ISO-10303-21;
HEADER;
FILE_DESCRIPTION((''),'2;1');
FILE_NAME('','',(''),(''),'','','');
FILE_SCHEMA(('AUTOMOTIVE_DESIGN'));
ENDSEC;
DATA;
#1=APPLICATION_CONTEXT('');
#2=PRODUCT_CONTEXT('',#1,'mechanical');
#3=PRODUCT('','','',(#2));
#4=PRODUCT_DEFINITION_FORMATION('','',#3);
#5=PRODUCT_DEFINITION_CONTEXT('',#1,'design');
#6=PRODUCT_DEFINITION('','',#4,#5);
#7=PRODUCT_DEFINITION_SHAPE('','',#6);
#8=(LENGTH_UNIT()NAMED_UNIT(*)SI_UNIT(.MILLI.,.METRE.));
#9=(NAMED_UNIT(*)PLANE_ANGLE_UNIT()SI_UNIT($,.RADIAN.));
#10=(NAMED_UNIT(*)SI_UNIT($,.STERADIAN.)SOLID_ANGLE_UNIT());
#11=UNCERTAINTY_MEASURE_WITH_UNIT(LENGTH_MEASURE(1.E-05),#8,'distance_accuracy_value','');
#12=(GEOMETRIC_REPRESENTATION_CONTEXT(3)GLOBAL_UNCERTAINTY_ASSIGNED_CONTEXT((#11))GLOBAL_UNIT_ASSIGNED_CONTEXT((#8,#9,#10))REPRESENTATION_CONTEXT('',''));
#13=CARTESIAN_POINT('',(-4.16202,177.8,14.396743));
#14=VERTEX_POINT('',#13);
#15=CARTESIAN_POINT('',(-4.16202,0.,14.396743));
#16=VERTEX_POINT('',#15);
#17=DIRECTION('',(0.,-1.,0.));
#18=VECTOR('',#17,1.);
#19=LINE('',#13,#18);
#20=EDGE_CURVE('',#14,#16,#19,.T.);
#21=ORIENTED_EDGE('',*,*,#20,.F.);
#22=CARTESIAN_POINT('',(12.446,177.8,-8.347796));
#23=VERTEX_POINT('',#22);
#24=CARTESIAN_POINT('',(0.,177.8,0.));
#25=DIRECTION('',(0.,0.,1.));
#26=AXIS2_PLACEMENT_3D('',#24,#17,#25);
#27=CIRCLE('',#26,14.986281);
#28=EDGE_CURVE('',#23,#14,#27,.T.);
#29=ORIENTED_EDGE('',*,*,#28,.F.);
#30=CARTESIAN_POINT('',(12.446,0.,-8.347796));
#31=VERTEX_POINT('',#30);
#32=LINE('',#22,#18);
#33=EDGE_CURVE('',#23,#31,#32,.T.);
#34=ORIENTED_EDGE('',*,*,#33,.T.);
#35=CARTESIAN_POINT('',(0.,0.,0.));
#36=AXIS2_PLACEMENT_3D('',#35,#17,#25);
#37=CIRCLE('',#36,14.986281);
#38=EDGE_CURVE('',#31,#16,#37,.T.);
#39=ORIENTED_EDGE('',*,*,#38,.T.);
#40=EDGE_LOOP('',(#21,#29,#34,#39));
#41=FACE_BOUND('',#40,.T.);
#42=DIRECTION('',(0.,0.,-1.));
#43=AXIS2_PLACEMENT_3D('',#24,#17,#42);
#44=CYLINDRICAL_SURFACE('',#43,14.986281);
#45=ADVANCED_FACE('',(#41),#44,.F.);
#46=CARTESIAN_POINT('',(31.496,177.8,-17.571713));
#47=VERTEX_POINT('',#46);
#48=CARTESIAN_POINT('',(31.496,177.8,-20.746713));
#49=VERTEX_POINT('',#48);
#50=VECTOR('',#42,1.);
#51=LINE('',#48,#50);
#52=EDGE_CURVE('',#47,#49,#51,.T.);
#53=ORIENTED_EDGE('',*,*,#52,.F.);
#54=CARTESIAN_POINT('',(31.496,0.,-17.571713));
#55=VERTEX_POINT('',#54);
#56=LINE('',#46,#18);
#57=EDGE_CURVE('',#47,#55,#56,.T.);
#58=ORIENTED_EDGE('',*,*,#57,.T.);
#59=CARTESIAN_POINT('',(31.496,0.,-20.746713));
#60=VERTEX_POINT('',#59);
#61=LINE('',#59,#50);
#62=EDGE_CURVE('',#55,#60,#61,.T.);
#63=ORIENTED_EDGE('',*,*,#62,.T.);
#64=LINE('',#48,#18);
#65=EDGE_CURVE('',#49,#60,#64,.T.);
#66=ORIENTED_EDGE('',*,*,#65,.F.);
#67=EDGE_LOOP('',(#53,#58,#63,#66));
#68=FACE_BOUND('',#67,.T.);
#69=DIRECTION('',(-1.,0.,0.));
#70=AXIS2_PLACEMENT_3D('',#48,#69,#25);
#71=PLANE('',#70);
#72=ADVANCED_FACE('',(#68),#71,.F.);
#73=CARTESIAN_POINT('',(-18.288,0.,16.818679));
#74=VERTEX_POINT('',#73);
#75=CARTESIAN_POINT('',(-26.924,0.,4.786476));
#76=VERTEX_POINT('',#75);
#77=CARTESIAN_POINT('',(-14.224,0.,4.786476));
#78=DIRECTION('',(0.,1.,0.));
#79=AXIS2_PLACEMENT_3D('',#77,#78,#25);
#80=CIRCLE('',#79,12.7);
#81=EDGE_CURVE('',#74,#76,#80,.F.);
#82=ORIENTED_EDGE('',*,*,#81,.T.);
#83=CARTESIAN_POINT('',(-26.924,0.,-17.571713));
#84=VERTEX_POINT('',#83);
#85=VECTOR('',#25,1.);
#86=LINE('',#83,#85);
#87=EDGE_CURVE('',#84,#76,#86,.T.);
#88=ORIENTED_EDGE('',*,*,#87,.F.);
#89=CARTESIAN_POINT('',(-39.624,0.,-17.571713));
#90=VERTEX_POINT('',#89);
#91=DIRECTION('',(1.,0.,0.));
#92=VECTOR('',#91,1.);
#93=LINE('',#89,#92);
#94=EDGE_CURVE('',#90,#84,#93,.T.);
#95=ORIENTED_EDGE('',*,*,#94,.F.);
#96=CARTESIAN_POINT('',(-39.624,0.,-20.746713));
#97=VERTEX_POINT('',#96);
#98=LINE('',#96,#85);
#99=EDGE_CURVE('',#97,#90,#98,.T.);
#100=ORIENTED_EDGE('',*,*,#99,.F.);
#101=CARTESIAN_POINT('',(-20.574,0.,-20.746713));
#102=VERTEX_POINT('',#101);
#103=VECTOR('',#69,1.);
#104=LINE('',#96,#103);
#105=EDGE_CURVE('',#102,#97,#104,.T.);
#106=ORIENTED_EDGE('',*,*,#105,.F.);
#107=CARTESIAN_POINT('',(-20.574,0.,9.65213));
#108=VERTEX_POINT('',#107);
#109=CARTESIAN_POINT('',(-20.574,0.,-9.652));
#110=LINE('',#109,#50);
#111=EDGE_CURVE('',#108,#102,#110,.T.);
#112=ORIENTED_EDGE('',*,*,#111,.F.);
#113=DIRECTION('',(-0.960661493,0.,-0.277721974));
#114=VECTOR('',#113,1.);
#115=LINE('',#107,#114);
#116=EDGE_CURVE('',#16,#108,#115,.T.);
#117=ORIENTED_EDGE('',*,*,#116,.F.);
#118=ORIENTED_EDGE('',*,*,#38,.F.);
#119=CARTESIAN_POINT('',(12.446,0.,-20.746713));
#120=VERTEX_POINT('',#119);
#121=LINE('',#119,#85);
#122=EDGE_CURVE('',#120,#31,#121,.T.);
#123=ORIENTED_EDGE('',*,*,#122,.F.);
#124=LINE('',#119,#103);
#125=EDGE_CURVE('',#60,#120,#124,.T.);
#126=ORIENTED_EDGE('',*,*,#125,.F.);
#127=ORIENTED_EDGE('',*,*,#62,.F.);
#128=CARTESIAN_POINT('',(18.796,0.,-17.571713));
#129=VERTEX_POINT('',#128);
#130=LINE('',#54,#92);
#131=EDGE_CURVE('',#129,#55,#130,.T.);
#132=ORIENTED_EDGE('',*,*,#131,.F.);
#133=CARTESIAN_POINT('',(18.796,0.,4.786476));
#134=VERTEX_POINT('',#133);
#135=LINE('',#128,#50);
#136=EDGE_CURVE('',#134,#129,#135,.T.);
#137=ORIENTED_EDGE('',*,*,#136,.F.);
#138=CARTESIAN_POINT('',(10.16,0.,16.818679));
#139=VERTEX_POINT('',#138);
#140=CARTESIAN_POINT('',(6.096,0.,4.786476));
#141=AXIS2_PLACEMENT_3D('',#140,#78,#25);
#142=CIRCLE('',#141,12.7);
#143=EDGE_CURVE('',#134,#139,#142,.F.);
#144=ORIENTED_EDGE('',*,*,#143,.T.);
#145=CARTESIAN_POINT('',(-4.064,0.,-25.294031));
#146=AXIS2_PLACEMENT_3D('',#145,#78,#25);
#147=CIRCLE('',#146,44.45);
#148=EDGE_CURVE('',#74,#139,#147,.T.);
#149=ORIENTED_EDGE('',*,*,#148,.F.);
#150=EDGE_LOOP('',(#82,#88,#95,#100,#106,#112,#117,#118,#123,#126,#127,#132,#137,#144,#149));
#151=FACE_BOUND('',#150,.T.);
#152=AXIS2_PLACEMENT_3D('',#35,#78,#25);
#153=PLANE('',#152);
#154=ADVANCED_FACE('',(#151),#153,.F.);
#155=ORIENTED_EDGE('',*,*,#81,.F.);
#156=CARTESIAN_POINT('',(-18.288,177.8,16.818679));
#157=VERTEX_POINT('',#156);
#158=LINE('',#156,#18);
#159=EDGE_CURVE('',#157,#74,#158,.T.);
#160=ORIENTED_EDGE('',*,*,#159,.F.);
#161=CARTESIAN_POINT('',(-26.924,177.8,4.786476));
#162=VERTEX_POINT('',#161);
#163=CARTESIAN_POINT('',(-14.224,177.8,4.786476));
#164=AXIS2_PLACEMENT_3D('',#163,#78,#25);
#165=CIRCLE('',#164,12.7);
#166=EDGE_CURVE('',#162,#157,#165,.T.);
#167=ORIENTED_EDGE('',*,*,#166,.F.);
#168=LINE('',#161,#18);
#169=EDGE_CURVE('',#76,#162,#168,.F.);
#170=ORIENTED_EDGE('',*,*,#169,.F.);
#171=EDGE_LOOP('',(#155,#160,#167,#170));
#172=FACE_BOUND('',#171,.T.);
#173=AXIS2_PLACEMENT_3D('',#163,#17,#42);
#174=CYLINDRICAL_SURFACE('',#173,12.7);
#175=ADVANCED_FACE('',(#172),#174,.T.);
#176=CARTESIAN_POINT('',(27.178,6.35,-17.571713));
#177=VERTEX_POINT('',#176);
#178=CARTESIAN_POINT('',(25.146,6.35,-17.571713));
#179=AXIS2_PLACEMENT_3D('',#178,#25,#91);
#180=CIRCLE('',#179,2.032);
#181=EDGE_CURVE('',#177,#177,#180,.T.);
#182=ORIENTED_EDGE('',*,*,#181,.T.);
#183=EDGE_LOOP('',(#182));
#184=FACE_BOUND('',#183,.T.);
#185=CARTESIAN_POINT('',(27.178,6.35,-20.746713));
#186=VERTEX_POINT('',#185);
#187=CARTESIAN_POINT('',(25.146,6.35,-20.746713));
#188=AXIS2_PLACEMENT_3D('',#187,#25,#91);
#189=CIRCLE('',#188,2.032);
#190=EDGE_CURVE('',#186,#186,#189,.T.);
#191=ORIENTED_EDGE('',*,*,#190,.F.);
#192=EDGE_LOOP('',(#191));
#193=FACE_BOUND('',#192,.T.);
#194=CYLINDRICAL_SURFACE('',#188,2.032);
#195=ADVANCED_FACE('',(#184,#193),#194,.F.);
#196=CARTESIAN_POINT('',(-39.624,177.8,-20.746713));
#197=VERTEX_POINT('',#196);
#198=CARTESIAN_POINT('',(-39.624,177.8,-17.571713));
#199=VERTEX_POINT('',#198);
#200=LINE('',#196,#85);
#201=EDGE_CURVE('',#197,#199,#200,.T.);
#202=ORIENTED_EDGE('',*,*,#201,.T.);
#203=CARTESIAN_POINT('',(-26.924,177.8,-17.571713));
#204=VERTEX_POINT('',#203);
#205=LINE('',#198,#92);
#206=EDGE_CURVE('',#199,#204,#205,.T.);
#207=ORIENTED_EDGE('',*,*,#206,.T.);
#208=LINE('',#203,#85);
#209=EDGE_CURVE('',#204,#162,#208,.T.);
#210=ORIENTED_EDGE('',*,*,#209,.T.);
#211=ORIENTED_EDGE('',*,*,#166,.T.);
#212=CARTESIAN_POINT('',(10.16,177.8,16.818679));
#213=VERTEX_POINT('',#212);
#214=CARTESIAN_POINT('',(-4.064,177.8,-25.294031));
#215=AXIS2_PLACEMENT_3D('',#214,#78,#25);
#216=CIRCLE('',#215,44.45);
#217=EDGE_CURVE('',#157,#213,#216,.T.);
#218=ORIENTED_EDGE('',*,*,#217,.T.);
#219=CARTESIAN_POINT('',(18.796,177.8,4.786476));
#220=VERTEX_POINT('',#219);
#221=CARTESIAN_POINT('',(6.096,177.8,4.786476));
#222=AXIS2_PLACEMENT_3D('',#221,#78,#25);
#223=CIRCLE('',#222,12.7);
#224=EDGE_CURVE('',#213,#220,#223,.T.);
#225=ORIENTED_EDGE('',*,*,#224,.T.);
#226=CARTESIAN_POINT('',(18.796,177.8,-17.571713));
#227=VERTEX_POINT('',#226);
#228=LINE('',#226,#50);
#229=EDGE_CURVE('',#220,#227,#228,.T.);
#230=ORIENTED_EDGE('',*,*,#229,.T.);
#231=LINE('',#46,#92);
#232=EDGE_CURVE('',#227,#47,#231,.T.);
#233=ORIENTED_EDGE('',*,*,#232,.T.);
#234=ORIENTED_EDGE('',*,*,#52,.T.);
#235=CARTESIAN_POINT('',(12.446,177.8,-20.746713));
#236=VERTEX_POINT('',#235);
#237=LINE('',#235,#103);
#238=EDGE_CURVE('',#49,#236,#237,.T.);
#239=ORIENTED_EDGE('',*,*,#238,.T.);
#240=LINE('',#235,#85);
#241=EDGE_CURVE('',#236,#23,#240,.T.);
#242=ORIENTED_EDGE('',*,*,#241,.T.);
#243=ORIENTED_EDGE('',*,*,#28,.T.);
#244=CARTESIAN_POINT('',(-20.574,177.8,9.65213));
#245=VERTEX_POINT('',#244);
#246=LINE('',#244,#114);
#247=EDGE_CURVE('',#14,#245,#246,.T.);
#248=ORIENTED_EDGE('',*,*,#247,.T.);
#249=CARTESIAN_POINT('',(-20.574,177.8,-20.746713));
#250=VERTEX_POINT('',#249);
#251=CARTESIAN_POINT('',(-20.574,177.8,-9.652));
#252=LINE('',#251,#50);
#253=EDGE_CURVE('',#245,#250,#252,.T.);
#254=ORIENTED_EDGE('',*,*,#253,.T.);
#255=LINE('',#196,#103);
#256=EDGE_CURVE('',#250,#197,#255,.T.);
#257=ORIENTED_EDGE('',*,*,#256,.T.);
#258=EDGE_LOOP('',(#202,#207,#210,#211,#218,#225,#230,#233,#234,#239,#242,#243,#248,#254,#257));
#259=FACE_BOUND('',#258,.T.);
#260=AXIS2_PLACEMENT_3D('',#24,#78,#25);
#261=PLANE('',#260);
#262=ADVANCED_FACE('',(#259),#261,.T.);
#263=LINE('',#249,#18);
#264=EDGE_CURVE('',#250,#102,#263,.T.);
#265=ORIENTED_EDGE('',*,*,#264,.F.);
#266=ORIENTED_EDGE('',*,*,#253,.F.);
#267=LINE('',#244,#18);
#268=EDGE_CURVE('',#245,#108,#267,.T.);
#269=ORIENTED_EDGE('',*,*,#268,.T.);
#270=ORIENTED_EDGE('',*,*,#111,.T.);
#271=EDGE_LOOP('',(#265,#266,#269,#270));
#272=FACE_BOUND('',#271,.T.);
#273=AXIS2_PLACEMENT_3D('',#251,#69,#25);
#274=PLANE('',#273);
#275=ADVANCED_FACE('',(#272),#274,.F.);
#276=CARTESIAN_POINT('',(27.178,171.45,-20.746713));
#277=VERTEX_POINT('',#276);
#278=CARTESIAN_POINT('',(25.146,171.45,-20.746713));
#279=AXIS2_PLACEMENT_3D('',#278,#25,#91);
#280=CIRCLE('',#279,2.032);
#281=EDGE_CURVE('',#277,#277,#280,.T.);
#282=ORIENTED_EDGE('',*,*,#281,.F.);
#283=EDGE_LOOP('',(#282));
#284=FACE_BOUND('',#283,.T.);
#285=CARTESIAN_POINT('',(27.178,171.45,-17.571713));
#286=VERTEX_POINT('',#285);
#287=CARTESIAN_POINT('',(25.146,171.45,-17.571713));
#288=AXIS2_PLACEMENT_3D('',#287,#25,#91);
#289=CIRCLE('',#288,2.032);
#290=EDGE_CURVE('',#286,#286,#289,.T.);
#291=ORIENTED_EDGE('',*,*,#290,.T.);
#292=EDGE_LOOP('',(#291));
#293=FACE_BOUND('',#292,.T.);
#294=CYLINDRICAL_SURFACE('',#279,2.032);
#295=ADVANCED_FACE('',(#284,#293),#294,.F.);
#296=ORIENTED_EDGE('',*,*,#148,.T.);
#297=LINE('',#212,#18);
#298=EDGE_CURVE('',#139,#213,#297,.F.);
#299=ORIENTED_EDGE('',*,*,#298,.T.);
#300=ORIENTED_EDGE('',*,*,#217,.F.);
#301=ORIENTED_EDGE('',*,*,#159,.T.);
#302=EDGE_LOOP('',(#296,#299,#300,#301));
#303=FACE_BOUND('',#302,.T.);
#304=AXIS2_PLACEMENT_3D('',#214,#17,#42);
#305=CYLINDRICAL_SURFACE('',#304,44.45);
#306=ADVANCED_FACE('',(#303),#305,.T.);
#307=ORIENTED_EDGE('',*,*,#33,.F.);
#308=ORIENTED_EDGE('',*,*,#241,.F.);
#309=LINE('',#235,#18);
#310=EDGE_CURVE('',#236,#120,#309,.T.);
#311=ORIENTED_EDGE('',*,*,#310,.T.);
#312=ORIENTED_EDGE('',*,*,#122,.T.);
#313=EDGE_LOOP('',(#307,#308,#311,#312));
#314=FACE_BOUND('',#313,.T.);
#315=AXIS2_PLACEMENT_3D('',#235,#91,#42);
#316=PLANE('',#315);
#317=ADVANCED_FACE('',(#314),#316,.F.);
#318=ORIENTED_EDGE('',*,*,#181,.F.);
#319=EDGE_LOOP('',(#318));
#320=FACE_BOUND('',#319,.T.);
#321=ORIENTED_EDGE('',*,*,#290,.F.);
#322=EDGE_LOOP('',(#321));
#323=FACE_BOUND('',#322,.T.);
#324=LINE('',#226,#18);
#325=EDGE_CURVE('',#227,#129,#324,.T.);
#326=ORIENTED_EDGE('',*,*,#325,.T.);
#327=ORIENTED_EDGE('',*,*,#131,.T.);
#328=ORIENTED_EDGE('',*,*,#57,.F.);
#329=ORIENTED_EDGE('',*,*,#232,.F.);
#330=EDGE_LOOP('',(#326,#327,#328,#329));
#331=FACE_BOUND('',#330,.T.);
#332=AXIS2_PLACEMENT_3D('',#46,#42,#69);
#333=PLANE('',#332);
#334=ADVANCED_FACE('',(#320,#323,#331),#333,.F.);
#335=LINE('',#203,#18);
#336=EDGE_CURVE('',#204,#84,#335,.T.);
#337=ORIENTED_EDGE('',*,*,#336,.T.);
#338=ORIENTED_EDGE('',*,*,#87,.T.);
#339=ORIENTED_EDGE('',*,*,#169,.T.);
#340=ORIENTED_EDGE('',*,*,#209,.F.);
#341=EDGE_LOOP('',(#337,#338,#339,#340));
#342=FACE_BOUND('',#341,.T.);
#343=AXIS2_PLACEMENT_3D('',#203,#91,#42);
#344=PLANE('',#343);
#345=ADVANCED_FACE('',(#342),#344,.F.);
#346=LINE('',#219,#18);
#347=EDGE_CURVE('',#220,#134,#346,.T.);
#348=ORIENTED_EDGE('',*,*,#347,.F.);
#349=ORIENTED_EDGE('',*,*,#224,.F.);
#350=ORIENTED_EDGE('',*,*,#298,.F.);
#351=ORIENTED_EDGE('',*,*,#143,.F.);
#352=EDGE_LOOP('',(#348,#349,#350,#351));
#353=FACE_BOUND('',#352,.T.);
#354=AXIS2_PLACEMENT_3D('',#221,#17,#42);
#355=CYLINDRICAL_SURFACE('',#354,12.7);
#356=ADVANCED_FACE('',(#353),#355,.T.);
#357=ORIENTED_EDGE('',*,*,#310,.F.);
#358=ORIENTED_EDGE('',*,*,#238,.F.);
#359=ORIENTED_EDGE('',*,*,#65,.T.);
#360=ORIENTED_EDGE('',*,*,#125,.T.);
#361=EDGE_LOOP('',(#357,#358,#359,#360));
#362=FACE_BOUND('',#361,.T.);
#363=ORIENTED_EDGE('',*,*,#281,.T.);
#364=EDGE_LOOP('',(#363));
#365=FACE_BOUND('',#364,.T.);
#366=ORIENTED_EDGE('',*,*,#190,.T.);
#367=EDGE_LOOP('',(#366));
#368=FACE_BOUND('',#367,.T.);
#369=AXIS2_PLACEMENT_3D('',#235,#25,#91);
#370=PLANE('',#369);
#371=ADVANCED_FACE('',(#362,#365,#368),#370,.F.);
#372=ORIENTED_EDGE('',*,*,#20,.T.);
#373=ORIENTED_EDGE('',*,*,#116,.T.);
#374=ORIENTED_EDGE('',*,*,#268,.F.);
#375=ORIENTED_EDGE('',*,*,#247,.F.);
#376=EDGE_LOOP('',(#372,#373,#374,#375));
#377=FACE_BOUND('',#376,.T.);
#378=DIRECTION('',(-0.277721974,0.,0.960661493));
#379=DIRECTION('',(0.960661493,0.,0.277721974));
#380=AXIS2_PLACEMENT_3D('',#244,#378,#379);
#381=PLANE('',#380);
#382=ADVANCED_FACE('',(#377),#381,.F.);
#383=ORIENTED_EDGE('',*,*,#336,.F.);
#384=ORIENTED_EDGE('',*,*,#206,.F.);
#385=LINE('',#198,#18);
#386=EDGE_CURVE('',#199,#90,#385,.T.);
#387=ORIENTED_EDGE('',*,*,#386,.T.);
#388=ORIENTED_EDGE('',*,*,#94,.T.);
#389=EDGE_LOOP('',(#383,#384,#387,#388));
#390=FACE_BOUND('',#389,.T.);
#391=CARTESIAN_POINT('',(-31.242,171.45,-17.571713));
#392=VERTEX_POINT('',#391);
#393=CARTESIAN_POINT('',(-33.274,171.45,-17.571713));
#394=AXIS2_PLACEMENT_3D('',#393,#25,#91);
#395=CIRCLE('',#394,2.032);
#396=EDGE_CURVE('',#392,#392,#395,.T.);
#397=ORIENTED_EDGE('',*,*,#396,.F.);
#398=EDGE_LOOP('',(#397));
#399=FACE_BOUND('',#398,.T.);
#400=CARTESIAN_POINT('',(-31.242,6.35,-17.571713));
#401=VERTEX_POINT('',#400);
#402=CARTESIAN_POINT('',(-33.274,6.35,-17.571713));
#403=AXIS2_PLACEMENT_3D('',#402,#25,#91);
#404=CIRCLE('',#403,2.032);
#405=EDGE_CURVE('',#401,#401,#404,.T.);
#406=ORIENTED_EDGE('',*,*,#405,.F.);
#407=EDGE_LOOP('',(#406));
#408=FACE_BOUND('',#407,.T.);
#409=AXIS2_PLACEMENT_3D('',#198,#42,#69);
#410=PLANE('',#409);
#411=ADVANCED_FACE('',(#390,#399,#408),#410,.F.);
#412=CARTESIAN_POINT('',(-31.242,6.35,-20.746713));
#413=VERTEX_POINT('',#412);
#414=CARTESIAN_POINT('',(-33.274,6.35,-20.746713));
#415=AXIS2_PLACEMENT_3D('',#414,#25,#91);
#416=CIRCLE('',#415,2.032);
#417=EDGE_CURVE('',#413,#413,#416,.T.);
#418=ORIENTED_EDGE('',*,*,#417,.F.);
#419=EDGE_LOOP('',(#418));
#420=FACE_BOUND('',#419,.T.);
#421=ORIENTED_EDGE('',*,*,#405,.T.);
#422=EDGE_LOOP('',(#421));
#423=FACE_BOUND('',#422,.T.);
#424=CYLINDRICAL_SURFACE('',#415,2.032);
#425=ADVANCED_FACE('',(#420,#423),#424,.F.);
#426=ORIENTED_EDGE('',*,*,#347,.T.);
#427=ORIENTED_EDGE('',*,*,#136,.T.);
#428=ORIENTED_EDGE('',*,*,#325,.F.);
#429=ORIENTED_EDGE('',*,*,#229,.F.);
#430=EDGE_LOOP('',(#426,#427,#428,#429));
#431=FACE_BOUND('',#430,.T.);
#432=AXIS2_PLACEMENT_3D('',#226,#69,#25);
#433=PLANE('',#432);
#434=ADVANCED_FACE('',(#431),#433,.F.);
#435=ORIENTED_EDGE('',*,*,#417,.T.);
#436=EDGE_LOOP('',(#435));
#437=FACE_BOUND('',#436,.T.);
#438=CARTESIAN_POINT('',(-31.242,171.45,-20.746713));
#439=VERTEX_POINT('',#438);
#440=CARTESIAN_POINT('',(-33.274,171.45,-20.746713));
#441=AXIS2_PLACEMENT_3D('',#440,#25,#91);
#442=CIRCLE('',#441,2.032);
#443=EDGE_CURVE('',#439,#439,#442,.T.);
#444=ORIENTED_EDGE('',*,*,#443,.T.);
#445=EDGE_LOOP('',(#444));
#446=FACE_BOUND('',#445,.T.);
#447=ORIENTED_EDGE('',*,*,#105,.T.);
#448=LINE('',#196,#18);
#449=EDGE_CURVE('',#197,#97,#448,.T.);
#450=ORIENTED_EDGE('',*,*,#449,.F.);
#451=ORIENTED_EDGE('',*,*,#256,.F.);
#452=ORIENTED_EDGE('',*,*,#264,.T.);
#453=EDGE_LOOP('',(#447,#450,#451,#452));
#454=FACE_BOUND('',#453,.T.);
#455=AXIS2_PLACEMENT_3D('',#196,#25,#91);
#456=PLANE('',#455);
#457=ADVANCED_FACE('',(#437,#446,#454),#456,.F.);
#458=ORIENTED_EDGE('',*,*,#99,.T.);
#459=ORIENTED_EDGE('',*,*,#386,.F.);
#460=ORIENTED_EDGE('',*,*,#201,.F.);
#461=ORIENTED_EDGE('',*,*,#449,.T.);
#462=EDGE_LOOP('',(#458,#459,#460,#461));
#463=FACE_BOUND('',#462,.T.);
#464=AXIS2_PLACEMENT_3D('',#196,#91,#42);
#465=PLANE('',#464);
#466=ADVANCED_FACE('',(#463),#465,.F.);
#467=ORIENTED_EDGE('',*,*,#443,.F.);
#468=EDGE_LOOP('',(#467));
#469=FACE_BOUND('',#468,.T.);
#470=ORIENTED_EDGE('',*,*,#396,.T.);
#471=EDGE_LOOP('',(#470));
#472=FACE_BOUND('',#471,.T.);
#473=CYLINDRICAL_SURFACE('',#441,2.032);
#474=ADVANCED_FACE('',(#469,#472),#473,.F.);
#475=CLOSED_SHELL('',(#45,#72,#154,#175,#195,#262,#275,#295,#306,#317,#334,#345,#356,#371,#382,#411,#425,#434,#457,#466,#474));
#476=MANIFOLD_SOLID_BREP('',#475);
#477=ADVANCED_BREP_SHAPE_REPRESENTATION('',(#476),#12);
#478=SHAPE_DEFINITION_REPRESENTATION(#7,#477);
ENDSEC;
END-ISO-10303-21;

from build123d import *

# Parameters (mm, degrees)
BOSS_EXTRUDE1_DEPTH = 177.8
SKETCH2_R           = 2.032
CUT_EXTRUDE1_DEPTH  = 186.827403736
FILLET2_R           = 12.7


with BuildPart() as part:
    # Sketch1 → Boss-Extrude1 (new body)
    with BuildSketch(Plane(origin=(0, 0, 0), x_dir=(1, 0, 0), z_dir=(0, 1, 0))):
        with BuildLine():
            Line((-20.574, -9.652129604), (-4.162019583, -14.39674322))
            ThreePointArc((-4.162019583, -14.39674322), (12.103082443, -8.837647749), (12.446, 8.347796497))
            Line((12.446, 8.347796497), (12.446, 20.746712887))
            Line((12.446, 20.746712887), (31.496, 20.746712887))
            Line((31.496, 20.746712887), (31.496, 17.571712887))
            Line((31.496, 17.571712887), (18.796, 17.571712887))
            Line((18.796, 17.571712887), (18.796, -12.827129604))
            ThreePointArc((18.796, -12.827129604), (-4.064, -19.155968814), (-26.924, -12.827129604))
            Line((-26.924, -12.827129604), (-26.924, 17.571712887))
            Line((-26.924, 17.571712887), (-39.624, 17.571712887))
            Line((-39.624, 17.571712887), (-39.624, 20.746712887))
            Line((-39.624, 20.746712887), (-20.574, 20.746712887))
            Line((-20.574, 20.746712887), (-20.574, 9.652))
            Line((-20.574, 9.652), (-20.574, -9.652129604))
        make_face()
    extrude(amount=BOSS_EXTRUDE1_DEPTH)

    # Sketch2 → Cut-Extrude1 (cut, through all)
    with BuildSketch(Plane.XY.offset(-17.571712887)):
        with Locations((-33.274, 171.45)):
            Circle(SKETCH2_R)
        with Locations((-33.274, 6.35)):
            Circle(SKETCH2_R)
        with Locations((25.146, 171.45)):
            Circle(SKETCH2_R)
        with Locations((25.146, 6.35)):
            Circle(SKETCH2_R)
    extrude(amount=-CUT_EXTRUDE1_DEPTH, mode=Mode.SUBTRACT)

    # Fillet2
    fillet2_edges = [part.edges().sort_by_distance(p)[0] for p in [
        (18.796, 88.9, 12.827129604),
        (-26.924, 88.9, 12.827129604),
    ]]
    fillet(fillet2_edges, radius=FILLET2_R)


solid = part.part
